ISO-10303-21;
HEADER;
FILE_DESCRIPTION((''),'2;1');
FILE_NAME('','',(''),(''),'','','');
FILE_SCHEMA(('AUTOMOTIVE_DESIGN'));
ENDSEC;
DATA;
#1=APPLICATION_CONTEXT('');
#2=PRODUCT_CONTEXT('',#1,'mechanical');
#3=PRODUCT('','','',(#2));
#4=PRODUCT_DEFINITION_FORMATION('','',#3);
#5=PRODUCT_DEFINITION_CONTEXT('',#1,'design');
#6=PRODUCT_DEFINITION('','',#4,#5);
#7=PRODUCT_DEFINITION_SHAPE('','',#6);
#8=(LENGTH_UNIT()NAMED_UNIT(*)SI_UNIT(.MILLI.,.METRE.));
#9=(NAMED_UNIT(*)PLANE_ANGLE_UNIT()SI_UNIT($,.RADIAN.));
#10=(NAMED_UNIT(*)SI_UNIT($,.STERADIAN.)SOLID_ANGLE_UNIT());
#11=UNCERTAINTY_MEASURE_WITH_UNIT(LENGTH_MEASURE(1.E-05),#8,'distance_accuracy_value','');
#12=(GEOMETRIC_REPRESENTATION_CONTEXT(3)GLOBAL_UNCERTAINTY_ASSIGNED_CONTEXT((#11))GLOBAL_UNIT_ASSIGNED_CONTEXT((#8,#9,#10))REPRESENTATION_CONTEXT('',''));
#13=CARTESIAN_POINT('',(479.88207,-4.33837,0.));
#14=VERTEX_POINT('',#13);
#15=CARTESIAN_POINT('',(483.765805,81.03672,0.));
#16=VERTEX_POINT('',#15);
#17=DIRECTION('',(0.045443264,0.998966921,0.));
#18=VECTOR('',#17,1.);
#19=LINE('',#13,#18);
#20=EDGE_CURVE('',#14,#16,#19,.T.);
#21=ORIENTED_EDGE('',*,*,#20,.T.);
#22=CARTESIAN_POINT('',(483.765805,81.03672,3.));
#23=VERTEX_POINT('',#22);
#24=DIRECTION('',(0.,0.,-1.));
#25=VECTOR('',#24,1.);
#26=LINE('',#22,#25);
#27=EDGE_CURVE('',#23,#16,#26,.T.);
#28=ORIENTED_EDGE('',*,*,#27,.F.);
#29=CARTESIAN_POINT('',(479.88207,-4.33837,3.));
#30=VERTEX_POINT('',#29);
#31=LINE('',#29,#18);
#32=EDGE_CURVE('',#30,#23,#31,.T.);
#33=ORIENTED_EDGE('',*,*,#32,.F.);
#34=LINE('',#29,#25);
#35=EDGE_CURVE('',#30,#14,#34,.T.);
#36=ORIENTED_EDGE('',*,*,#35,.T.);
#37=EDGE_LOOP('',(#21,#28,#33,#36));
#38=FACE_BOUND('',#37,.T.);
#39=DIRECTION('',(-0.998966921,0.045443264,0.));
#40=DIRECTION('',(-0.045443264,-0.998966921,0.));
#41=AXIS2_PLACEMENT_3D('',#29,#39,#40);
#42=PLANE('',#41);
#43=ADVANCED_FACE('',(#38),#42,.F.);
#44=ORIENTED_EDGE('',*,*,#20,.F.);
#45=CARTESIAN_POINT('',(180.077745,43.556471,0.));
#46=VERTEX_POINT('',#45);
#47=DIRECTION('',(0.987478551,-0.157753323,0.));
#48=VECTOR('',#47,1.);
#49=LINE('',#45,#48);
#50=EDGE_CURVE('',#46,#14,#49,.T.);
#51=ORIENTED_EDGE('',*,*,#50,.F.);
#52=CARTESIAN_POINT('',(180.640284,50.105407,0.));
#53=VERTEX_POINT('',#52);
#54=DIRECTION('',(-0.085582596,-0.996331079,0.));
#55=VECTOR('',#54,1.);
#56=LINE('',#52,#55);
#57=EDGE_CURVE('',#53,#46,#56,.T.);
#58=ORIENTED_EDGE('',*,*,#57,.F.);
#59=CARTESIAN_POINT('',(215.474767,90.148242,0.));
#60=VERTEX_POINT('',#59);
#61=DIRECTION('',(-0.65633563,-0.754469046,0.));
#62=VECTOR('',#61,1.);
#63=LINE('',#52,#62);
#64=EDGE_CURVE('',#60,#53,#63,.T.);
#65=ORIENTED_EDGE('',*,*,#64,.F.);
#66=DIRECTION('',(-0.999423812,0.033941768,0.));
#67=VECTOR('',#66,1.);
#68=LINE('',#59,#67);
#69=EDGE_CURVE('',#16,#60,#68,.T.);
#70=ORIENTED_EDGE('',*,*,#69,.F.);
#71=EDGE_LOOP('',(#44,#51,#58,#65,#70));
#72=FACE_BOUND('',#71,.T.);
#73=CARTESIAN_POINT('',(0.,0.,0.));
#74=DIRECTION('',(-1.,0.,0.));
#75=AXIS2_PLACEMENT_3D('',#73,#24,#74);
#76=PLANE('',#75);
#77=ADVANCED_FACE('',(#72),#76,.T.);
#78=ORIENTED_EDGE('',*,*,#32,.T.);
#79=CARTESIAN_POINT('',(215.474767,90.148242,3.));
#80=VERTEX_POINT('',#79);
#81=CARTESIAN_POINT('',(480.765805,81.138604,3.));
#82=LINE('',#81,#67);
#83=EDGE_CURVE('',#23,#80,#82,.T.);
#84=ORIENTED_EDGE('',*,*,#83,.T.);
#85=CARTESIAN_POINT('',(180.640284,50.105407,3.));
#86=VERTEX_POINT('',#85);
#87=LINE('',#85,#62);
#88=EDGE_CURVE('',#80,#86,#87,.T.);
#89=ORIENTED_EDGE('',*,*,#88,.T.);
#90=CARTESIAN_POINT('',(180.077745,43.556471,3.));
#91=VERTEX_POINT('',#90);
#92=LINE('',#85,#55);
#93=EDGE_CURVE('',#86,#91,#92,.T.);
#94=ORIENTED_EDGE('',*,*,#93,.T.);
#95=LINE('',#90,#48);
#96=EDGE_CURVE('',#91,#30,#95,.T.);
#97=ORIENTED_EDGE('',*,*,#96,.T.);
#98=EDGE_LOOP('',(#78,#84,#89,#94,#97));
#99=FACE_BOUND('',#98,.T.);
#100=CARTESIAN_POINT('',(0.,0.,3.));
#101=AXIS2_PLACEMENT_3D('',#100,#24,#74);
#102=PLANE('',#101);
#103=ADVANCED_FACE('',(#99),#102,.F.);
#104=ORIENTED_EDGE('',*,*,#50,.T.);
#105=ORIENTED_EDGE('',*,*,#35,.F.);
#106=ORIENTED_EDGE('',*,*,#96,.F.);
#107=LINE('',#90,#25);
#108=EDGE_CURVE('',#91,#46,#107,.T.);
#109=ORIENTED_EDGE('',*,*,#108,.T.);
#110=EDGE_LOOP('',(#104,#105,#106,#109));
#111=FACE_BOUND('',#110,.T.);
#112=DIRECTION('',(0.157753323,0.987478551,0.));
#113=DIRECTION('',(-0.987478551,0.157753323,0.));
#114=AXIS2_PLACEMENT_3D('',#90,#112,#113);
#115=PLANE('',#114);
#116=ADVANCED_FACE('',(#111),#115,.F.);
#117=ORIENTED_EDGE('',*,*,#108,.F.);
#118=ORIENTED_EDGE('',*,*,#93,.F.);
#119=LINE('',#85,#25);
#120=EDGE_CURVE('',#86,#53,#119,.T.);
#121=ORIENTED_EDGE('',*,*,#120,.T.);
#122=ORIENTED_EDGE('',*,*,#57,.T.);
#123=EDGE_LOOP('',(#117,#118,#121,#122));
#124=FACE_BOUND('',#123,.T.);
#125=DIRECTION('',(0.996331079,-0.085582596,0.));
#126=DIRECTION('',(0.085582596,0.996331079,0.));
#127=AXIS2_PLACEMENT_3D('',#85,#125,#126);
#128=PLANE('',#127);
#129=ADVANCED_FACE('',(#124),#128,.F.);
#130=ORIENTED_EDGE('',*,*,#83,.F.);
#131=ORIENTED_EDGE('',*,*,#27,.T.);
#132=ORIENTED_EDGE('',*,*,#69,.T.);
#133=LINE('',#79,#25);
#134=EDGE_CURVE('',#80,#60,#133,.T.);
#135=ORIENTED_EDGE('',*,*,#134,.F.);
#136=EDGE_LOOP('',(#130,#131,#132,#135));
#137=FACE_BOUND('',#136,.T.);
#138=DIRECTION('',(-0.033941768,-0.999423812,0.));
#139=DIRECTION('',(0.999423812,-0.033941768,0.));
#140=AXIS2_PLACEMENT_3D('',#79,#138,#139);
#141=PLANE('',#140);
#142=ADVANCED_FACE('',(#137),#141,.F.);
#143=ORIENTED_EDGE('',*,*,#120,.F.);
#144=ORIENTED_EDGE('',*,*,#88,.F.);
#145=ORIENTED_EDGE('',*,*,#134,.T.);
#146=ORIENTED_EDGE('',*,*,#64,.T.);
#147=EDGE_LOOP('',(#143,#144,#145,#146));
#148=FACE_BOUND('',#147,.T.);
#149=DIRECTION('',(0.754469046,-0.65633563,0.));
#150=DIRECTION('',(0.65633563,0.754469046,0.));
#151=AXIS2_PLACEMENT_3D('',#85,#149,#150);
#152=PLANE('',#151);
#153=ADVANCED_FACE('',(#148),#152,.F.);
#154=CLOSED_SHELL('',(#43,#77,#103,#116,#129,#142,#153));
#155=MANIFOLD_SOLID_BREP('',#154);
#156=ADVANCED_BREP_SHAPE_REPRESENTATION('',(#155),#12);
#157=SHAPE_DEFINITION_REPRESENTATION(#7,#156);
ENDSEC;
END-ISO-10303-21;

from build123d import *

# Parameters (mm, degrees)
BOSS_EXTRU_1_DEPTH = 3


with BuildPart() as part:
    # Esquisse1 → Boss.-Extru.1 (new body)
    with BuildSketch(Plane.XY):
        Polygon((215.474767364, 90.148242088), (480.765805083, 81.13860392), (483.765805083, 81.03671991), (479.882070142, -4.338370069), (180.077745423, 43.556471149), (180.640284286, 50.105407267), align=None)
    extrude(amount=BOSS_EXTRU_1_DEPTH)


solid = part.part
